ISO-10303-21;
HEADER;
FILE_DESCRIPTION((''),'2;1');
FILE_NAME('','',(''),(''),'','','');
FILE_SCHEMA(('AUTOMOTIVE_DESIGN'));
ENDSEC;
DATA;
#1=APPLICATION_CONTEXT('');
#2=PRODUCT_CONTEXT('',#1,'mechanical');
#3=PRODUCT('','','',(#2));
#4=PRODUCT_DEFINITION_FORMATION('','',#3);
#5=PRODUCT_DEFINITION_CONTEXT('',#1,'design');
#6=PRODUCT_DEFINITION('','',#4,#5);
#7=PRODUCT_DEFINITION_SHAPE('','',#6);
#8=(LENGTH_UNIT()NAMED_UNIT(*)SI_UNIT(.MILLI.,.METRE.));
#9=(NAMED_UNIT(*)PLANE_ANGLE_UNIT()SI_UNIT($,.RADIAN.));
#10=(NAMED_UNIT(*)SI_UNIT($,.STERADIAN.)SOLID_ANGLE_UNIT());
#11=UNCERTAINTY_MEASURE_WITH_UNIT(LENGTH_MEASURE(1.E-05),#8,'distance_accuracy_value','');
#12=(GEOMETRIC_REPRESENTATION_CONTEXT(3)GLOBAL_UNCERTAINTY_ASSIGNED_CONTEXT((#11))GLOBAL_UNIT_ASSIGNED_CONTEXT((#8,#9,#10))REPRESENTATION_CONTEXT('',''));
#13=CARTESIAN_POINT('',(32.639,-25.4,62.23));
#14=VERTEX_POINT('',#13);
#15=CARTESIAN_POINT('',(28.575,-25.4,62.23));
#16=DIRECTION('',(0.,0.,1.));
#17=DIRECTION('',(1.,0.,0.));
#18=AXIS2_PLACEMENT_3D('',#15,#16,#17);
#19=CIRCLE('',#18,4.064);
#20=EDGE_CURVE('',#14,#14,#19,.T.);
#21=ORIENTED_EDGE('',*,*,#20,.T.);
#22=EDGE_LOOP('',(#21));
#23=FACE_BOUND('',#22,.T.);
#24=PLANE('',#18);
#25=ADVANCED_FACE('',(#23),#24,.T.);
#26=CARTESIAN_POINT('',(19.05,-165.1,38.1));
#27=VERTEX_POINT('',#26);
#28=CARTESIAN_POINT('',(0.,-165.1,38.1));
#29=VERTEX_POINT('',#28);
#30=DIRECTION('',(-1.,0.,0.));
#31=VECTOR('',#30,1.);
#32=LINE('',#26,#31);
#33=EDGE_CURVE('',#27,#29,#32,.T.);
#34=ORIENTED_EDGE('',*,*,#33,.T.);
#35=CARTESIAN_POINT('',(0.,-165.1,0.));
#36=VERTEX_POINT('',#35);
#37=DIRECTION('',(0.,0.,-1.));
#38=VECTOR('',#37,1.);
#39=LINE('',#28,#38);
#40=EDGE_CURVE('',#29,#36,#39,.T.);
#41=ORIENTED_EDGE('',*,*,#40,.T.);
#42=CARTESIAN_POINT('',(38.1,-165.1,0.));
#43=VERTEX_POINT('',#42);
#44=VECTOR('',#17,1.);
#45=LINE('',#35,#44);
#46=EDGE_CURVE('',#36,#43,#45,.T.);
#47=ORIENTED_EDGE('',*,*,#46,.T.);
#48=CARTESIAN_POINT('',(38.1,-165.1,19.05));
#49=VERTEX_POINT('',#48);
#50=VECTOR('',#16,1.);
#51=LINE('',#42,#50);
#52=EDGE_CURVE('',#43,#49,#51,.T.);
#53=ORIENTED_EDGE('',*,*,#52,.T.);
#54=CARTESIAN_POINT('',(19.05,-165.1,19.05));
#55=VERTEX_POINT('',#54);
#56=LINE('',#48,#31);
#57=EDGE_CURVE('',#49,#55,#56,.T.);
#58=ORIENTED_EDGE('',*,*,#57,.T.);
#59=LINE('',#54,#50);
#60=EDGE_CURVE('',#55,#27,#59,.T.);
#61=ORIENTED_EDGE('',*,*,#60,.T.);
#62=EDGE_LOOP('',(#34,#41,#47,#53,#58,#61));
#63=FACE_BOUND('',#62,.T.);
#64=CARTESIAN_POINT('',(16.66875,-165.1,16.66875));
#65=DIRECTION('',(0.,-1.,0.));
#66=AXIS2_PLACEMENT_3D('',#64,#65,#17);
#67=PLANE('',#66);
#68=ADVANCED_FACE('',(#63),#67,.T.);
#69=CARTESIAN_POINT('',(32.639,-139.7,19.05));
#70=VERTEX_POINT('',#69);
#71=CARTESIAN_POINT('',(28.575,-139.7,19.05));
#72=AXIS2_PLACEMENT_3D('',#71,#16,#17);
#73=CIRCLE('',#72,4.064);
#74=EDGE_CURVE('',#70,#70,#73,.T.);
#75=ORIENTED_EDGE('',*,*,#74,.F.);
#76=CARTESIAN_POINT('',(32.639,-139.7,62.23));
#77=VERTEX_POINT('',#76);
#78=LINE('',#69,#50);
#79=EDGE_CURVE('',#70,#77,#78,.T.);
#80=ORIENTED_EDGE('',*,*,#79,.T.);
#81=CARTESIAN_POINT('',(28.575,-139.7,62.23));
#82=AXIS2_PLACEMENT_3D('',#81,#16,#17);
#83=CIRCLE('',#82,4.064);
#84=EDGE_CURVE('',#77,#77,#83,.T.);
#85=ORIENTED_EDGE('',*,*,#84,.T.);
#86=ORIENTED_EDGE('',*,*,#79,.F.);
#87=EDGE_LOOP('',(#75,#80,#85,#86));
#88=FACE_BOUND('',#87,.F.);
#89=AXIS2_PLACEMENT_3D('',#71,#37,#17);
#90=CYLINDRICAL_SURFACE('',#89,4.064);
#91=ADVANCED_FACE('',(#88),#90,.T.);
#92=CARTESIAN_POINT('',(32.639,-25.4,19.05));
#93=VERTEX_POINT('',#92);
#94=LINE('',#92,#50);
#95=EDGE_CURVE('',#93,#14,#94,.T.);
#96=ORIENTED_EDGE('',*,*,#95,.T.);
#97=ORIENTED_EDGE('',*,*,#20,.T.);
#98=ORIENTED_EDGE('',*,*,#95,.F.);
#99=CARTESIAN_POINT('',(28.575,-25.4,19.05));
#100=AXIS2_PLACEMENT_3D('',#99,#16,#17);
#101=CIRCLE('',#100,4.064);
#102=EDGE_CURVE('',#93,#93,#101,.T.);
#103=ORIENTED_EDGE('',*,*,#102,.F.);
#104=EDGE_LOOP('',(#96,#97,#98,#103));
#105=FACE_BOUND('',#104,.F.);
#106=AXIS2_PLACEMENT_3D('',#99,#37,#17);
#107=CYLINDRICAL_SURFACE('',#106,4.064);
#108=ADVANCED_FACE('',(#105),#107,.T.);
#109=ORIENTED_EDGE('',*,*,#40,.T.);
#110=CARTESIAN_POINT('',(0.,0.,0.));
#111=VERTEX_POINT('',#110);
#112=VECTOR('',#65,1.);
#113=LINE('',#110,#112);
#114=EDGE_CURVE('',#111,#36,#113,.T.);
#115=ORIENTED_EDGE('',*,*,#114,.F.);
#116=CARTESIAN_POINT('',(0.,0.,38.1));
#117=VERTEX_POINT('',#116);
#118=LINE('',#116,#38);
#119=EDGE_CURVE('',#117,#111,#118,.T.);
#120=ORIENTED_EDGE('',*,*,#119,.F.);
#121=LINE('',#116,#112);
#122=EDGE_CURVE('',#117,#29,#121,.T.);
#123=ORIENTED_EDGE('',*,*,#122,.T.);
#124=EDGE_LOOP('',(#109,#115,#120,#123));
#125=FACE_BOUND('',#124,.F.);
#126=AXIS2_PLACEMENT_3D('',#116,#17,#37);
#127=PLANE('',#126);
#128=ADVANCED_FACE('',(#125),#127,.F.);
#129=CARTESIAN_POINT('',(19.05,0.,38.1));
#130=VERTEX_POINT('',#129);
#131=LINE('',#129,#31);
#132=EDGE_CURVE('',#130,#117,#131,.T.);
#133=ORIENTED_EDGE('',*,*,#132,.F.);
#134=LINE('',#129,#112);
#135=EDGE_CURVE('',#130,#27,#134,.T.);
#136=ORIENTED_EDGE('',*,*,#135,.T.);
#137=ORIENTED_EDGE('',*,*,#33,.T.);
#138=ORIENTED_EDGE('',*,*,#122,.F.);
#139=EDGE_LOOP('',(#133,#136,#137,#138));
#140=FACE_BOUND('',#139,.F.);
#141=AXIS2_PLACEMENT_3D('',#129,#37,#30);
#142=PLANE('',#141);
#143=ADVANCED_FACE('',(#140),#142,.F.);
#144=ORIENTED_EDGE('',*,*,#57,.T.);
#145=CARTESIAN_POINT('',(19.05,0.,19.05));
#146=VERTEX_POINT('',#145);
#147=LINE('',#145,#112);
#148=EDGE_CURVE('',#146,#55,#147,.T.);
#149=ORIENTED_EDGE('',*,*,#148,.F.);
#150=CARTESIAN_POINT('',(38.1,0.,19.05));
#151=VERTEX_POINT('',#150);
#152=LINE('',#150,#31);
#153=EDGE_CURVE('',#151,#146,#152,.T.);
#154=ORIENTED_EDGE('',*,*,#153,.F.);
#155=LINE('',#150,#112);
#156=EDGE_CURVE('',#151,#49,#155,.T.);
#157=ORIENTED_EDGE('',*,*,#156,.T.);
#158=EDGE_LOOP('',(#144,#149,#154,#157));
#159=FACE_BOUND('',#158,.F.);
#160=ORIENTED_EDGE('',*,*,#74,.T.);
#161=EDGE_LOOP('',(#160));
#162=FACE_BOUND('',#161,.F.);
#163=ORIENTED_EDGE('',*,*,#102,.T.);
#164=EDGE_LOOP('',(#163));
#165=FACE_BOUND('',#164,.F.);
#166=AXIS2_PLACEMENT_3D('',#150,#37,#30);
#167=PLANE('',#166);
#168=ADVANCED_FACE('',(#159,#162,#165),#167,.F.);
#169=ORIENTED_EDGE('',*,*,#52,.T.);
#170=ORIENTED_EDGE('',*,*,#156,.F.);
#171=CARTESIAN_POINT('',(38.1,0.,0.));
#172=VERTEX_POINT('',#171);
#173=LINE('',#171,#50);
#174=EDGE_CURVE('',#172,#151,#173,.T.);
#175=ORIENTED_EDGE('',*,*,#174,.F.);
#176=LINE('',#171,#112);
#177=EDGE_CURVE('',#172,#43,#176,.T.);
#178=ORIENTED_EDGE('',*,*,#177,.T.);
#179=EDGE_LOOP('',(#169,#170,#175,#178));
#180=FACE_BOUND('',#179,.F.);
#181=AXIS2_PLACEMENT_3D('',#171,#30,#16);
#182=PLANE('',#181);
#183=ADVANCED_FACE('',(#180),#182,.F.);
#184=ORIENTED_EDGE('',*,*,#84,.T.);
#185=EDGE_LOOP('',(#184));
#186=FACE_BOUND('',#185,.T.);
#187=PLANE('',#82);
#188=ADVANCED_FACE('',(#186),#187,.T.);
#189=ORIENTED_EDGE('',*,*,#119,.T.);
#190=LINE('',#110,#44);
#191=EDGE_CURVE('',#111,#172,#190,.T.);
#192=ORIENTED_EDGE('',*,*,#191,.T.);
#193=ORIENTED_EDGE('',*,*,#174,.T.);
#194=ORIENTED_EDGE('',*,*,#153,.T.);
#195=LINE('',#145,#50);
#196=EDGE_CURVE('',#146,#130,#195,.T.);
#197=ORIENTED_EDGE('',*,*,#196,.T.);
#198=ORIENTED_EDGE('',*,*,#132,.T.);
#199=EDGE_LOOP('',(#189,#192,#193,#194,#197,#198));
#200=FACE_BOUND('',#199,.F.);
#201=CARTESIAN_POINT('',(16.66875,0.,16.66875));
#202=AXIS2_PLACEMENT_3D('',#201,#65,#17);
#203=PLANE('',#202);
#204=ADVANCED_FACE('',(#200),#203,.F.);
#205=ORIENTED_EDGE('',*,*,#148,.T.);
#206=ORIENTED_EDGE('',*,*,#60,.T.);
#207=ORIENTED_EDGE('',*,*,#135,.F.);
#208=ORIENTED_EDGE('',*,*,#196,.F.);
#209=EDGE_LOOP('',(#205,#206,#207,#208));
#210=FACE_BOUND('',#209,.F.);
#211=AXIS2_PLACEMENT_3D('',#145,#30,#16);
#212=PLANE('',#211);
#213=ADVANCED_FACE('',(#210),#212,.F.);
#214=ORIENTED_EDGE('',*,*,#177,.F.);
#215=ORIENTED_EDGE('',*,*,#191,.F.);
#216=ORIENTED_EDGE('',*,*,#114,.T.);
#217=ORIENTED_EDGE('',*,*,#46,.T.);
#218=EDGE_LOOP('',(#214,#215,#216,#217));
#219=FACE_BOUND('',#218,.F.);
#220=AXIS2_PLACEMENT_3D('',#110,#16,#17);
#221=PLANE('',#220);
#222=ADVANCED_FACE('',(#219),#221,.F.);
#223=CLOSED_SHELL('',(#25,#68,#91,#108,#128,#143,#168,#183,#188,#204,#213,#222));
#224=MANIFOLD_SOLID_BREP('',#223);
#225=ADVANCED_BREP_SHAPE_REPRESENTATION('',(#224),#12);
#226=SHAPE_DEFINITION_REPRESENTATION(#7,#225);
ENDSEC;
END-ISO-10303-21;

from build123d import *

# Parameters (mm, degrees)
F1_DEPTH = 165.1
F2_R     = 4.064
F3_DEPTH = 43.18


with BuildPart() as f1:
    # F0 (on Front) → F1 (new body)
    with BuildSketch(Plane.XZ):
        Polygon((0, 38.1), (0, 0), (38.1, 0), (38.1, 19.05), (19.05, 19.05), (19.05, 38.1), align=None)
    extrude(amount=F1_DEPTH)

    # F2 (on face) → F3 (join)
    with BuildSketch(Plane.XY.offset(19.05)):
        with Locations((28.575, -25.4)):
            Circle(F2_R)
        with Locations((28.575, -139.7)):
            Circle(F2_R)
    extrude(amount=F3_DEPTH)


solid = f1.part
